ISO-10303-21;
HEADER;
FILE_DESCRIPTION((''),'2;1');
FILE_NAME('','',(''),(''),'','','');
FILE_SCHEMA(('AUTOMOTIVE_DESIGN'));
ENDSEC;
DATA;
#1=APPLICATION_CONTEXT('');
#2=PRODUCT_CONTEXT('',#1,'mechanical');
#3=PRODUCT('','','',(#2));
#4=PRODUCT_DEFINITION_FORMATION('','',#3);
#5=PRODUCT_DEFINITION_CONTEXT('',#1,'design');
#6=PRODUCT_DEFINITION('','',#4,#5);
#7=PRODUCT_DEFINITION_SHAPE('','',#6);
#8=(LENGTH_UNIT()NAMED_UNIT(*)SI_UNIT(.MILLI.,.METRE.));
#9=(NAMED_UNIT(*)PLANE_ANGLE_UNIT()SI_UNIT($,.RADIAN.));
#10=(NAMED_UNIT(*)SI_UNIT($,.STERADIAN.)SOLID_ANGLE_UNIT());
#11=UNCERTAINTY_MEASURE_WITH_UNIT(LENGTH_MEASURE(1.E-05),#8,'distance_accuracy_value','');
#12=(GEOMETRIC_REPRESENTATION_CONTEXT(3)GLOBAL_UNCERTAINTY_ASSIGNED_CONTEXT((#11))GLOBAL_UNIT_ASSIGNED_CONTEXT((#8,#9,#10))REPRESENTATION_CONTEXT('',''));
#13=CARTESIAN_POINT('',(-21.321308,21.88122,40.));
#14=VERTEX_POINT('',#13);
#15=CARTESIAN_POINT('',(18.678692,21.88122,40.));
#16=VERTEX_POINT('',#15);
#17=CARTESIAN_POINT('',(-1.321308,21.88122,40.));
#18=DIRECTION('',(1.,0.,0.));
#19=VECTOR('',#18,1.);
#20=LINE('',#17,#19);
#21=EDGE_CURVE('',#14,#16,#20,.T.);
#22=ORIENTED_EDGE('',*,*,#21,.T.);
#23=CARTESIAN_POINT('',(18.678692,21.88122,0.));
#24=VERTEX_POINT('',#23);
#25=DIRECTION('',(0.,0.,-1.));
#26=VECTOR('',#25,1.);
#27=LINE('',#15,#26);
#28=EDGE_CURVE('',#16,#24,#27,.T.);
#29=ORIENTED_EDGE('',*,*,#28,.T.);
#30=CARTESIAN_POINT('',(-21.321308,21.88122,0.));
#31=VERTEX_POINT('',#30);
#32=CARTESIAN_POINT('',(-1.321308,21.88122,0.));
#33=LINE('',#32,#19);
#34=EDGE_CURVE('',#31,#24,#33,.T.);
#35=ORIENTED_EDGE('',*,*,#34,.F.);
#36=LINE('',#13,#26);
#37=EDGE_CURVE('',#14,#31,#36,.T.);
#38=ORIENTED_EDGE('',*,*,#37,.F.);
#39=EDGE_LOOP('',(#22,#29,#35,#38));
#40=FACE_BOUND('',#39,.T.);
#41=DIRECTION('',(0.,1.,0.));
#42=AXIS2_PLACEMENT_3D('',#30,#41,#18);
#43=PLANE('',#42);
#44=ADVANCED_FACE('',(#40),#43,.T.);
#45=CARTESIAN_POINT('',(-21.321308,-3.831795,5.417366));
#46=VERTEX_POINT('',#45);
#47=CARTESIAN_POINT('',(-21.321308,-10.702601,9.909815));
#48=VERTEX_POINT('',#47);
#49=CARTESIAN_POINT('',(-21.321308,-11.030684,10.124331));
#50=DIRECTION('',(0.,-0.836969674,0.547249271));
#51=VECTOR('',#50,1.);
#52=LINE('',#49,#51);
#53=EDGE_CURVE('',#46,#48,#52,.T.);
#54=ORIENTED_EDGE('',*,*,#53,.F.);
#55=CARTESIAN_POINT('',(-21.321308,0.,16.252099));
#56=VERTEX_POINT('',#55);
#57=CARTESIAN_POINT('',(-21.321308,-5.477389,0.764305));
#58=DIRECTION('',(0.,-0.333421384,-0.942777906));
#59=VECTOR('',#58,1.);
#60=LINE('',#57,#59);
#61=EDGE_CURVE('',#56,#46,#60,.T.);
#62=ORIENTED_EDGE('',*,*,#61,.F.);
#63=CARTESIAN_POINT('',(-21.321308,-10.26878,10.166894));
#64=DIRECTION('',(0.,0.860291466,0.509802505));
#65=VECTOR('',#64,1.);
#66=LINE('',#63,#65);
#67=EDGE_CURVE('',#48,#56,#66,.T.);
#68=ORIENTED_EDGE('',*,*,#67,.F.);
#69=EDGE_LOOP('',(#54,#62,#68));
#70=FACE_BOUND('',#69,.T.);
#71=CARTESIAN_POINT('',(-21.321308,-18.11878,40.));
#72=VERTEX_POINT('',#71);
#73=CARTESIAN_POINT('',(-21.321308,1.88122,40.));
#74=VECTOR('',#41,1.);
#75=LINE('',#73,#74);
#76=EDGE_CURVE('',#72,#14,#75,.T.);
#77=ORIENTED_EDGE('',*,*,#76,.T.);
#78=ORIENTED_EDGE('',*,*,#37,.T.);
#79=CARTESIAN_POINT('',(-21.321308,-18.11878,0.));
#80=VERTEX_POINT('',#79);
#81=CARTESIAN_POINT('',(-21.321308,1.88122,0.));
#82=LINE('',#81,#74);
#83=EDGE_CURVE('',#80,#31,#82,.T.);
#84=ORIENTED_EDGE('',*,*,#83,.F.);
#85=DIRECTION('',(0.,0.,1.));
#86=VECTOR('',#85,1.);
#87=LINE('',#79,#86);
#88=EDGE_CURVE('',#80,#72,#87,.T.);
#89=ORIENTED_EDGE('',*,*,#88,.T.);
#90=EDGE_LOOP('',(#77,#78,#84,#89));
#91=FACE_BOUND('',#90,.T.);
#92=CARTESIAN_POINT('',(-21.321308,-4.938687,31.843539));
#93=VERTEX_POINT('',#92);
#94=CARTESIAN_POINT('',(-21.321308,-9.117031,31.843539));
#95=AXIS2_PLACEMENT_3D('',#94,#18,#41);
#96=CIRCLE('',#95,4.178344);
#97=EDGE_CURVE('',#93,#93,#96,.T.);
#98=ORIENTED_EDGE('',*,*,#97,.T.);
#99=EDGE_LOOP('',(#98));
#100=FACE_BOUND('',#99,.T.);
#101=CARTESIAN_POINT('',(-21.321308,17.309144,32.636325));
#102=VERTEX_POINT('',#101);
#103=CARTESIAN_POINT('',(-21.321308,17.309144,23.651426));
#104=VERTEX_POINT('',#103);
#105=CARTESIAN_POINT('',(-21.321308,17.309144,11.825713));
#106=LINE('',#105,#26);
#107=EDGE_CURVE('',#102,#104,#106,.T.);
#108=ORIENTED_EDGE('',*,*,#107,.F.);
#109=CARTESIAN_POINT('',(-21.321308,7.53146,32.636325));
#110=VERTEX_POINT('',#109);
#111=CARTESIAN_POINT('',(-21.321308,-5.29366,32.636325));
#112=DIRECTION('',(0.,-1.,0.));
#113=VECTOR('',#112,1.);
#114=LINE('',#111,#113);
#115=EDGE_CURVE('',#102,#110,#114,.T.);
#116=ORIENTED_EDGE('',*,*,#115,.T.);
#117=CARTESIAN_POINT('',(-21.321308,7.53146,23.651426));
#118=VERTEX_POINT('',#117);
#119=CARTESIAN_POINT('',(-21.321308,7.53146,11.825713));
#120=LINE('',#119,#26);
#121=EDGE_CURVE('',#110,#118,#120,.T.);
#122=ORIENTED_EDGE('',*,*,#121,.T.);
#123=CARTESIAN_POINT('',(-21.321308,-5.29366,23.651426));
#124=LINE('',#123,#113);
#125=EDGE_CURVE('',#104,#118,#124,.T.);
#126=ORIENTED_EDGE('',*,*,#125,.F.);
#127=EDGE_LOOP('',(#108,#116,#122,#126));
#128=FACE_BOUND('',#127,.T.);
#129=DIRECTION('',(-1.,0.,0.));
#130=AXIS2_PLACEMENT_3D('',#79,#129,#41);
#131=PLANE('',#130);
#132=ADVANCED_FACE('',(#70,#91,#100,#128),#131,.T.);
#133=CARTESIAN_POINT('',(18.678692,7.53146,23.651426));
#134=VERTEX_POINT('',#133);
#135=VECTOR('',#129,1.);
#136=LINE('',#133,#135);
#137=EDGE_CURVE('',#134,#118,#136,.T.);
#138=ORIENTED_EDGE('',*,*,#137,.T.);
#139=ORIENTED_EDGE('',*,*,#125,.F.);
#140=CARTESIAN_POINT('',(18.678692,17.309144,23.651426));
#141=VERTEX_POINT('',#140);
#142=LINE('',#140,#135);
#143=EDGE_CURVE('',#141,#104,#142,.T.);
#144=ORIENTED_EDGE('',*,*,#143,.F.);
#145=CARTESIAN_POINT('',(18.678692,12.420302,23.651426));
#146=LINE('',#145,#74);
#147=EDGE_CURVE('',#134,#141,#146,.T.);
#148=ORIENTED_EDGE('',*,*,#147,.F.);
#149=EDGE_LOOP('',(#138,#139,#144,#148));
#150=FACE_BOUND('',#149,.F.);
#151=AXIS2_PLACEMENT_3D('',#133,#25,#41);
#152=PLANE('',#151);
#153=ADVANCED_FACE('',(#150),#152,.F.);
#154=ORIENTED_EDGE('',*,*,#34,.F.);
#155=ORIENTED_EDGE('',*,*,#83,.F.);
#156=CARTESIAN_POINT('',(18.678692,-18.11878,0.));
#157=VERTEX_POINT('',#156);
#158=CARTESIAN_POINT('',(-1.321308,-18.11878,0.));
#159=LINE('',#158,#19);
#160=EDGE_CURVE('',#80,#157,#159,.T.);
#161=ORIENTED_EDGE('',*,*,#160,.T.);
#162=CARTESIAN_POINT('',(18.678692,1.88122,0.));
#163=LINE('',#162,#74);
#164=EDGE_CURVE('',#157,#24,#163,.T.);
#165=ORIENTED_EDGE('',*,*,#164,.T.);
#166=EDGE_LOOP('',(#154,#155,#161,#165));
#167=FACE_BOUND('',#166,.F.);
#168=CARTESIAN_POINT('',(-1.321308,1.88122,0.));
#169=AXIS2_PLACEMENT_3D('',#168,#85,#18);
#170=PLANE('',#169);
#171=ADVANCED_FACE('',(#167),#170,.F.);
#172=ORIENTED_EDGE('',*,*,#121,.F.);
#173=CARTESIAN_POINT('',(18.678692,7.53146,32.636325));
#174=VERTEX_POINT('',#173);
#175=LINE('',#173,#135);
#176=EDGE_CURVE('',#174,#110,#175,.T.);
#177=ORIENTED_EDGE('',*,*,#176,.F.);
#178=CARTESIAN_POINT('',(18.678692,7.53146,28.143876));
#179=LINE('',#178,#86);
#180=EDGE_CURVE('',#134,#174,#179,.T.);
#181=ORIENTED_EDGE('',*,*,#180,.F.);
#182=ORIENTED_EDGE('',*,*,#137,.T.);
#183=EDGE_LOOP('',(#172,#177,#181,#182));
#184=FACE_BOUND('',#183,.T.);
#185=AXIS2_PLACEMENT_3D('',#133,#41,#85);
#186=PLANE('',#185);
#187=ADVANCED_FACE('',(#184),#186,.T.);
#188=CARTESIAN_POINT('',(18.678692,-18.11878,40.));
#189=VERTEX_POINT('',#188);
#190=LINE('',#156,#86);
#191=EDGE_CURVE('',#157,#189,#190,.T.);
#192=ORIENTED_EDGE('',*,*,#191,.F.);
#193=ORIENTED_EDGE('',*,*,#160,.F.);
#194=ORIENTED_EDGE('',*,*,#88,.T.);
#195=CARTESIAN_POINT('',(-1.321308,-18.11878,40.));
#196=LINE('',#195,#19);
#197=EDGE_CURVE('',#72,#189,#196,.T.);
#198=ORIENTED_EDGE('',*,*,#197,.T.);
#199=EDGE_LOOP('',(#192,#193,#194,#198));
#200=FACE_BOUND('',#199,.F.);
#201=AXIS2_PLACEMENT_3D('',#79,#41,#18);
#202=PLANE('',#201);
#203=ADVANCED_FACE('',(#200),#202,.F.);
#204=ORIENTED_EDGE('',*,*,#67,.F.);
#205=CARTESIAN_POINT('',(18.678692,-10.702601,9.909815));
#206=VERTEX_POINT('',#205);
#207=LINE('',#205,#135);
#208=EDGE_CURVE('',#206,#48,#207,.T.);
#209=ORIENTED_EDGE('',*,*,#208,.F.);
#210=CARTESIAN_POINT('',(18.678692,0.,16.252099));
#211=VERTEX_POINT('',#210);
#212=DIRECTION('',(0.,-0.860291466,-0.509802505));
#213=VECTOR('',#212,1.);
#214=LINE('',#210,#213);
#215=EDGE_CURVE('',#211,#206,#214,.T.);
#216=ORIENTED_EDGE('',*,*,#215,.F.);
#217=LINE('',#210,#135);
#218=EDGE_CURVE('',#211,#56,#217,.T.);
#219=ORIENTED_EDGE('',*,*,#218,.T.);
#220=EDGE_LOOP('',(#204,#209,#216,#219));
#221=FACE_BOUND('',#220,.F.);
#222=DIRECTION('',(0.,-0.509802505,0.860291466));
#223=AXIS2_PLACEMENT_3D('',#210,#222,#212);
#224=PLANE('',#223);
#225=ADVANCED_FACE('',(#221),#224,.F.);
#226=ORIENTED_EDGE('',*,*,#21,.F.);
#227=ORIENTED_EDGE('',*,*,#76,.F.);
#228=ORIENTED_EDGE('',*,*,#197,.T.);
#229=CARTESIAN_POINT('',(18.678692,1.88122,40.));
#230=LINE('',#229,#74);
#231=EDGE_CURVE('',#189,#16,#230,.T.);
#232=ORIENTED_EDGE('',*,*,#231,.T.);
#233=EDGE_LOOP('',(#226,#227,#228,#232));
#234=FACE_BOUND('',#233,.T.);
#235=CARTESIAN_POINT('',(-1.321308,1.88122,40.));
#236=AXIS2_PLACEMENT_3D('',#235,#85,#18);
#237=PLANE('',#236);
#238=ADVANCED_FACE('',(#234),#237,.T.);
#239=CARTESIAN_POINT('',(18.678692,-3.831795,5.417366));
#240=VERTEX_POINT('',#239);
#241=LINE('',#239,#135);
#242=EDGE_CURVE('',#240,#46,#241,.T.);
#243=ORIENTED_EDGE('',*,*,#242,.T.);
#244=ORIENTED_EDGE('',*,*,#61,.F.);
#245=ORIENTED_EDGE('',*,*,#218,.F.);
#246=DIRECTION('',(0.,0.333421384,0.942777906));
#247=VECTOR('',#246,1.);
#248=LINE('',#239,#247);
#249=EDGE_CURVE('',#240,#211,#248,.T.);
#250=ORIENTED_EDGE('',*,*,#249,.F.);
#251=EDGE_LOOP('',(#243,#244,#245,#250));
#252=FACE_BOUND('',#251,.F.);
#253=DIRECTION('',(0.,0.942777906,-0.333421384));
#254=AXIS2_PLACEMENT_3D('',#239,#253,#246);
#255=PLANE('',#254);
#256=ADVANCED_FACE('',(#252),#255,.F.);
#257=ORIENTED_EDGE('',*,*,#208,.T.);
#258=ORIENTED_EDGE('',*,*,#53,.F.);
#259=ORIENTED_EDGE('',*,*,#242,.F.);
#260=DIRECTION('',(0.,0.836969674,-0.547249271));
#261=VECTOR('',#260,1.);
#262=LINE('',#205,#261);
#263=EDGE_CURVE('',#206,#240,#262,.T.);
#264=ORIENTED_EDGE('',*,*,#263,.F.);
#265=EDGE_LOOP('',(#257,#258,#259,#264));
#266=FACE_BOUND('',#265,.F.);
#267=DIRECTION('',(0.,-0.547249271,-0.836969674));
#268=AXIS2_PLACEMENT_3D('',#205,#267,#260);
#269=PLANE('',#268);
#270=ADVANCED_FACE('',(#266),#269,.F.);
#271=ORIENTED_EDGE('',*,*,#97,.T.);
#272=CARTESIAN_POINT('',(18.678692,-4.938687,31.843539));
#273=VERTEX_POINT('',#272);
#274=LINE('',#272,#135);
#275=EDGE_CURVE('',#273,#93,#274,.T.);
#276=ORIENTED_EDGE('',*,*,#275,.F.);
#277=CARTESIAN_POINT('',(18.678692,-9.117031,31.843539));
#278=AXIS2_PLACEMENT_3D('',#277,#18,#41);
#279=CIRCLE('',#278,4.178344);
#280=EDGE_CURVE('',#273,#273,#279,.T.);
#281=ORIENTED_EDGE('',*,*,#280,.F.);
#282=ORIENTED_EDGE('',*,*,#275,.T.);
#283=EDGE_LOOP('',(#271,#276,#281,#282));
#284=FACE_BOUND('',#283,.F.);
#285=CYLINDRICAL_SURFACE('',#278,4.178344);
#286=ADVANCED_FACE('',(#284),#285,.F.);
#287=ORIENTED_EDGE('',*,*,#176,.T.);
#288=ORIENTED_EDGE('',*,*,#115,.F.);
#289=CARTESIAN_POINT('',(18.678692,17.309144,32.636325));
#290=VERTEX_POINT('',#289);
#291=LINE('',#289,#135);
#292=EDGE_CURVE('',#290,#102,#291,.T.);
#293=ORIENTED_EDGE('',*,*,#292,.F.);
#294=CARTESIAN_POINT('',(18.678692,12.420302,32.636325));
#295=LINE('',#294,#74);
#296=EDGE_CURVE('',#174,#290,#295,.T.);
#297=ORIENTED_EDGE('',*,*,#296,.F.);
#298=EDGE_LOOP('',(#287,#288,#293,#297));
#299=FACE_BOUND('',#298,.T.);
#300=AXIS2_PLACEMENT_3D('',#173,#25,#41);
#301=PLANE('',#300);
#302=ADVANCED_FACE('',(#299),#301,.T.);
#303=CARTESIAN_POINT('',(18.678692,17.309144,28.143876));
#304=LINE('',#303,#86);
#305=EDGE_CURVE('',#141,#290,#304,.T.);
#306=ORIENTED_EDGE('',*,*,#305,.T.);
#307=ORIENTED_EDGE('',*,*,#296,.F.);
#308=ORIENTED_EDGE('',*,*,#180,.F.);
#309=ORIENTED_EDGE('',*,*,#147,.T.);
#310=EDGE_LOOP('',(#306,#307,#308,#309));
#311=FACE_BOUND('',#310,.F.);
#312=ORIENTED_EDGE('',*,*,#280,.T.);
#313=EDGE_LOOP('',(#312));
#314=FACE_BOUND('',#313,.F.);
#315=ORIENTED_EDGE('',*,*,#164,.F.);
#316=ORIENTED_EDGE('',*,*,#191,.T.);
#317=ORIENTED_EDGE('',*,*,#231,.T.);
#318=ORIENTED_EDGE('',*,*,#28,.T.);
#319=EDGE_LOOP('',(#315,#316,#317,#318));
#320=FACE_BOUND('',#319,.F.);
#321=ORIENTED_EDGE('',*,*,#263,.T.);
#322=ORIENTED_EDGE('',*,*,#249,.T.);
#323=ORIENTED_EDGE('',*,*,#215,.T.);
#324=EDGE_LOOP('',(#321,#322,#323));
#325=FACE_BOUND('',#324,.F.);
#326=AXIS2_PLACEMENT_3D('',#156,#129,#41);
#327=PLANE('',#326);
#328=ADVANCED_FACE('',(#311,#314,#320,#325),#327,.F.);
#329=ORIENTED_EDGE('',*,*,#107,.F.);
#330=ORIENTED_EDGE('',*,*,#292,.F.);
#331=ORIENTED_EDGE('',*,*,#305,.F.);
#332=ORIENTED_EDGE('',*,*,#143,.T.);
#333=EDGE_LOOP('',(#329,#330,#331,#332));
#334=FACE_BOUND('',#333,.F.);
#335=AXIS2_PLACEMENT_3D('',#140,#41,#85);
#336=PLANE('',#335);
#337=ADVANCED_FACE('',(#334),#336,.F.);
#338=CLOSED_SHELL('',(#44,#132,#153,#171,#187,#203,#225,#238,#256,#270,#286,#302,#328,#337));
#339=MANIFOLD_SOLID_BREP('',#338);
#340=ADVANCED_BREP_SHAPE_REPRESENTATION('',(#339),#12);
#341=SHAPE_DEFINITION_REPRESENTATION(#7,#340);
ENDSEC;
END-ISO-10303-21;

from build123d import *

# Parameters (mm, degrees)
F0_W     = 40
F0_H     = 40
F1_DEPTH = 25
F2_DEPTH = 40
F3_R     = 4.178344
F3_W     = 9.777684
F3_H     = 8.984899
F4_DEPTH = 40.001


with BuildPart() as f1:
    # F0 (on Top) → F1 (new body)
    with BuildSketch(Plane.XY):
        with Locations((-1.321308, 1.88122)):
            Rectangle(F0_W, F0_H)
    extrude(amount=F1_DEPTH)

    # F0 (on Top) → F2 (join)
    with BuildSketch(Plane.XY):
        with Locations((-1.321308, 1.88122)):
            Rectangle(F0_W, F0_H)
    extrude(amount=F2_DEPTH)

    # F3 (on face) → F4 (cut, through all)
    with BuildSketch(Plane.YZ.offset(18.678692)):
        with Locations((-9.117031, 31.843539)):
            Circle(F3_R)
        with Locations((12.420302, 28.143876)):
            Rectangle(F3_W, F3_H)
        Polygon((0, 16.252099), (-10.702601, 9.909815), (-3.831795, 5.417366), align=None)
    extrude(amount=-F4_DEPTH, mode=Mode.SUBTRACT)


solid = f1.part
